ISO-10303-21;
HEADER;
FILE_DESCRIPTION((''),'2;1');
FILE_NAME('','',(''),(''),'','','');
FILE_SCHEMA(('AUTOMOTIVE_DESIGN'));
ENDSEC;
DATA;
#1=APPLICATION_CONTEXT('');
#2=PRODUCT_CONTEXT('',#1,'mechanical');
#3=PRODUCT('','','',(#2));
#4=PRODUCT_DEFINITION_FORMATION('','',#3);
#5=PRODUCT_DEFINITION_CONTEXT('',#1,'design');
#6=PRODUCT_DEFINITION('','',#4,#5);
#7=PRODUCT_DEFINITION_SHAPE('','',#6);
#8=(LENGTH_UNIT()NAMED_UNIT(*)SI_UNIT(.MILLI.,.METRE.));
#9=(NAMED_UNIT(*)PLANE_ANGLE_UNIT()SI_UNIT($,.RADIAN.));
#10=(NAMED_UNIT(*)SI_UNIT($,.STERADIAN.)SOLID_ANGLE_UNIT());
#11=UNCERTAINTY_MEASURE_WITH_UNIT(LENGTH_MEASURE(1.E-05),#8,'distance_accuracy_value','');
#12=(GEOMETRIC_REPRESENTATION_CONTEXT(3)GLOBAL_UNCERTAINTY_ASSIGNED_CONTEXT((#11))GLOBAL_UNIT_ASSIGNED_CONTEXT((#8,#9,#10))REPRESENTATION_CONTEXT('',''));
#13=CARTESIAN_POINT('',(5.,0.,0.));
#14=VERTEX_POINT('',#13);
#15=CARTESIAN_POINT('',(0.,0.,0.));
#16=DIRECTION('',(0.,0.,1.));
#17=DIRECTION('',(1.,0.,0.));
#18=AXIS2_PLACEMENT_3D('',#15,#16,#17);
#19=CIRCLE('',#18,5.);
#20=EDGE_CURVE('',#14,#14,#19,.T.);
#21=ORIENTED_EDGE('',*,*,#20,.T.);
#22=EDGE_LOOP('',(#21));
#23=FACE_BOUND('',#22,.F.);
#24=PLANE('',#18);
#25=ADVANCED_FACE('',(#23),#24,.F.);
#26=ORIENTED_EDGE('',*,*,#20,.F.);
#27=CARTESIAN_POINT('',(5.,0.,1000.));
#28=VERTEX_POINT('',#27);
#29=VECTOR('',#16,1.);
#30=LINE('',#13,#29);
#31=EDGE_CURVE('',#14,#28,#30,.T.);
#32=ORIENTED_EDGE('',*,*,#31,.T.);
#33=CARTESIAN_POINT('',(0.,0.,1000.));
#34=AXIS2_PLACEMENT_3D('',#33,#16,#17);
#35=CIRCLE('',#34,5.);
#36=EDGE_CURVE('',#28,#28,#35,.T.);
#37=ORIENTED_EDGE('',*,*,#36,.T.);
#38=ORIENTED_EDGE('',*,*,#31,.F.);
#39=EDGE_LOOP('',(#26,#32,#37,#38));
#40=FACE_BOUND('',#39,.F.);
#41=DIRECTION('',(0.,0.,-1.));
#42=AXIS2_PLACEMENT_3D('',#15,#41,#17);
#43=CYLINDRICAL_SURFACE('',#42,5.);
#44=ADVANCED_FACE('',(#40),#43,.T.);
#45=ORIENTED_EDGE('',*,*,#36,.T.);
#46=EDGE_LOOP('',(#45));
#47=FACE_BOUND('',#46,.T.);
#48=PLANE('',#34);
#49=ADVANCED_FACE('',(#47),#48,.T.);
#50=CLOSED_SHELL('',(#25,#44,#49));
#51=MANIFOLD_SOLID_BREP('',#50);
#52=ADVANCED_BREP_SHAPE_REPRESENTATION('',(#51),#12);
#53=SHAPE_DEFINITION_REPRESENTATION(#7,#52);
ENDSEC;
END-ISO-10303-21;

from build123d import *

# Parameters (mm, degrees)
SKETCH_R  = 5
PAD_DEPTH = 1000


with BuildPart() as part:
    # Sketch → Pad (new body)
    with BuildSketch(Plane.XY):
        Circle(SKETCH_R)
    extrude(amount=PAD_DEPTH)


solid = part.part
